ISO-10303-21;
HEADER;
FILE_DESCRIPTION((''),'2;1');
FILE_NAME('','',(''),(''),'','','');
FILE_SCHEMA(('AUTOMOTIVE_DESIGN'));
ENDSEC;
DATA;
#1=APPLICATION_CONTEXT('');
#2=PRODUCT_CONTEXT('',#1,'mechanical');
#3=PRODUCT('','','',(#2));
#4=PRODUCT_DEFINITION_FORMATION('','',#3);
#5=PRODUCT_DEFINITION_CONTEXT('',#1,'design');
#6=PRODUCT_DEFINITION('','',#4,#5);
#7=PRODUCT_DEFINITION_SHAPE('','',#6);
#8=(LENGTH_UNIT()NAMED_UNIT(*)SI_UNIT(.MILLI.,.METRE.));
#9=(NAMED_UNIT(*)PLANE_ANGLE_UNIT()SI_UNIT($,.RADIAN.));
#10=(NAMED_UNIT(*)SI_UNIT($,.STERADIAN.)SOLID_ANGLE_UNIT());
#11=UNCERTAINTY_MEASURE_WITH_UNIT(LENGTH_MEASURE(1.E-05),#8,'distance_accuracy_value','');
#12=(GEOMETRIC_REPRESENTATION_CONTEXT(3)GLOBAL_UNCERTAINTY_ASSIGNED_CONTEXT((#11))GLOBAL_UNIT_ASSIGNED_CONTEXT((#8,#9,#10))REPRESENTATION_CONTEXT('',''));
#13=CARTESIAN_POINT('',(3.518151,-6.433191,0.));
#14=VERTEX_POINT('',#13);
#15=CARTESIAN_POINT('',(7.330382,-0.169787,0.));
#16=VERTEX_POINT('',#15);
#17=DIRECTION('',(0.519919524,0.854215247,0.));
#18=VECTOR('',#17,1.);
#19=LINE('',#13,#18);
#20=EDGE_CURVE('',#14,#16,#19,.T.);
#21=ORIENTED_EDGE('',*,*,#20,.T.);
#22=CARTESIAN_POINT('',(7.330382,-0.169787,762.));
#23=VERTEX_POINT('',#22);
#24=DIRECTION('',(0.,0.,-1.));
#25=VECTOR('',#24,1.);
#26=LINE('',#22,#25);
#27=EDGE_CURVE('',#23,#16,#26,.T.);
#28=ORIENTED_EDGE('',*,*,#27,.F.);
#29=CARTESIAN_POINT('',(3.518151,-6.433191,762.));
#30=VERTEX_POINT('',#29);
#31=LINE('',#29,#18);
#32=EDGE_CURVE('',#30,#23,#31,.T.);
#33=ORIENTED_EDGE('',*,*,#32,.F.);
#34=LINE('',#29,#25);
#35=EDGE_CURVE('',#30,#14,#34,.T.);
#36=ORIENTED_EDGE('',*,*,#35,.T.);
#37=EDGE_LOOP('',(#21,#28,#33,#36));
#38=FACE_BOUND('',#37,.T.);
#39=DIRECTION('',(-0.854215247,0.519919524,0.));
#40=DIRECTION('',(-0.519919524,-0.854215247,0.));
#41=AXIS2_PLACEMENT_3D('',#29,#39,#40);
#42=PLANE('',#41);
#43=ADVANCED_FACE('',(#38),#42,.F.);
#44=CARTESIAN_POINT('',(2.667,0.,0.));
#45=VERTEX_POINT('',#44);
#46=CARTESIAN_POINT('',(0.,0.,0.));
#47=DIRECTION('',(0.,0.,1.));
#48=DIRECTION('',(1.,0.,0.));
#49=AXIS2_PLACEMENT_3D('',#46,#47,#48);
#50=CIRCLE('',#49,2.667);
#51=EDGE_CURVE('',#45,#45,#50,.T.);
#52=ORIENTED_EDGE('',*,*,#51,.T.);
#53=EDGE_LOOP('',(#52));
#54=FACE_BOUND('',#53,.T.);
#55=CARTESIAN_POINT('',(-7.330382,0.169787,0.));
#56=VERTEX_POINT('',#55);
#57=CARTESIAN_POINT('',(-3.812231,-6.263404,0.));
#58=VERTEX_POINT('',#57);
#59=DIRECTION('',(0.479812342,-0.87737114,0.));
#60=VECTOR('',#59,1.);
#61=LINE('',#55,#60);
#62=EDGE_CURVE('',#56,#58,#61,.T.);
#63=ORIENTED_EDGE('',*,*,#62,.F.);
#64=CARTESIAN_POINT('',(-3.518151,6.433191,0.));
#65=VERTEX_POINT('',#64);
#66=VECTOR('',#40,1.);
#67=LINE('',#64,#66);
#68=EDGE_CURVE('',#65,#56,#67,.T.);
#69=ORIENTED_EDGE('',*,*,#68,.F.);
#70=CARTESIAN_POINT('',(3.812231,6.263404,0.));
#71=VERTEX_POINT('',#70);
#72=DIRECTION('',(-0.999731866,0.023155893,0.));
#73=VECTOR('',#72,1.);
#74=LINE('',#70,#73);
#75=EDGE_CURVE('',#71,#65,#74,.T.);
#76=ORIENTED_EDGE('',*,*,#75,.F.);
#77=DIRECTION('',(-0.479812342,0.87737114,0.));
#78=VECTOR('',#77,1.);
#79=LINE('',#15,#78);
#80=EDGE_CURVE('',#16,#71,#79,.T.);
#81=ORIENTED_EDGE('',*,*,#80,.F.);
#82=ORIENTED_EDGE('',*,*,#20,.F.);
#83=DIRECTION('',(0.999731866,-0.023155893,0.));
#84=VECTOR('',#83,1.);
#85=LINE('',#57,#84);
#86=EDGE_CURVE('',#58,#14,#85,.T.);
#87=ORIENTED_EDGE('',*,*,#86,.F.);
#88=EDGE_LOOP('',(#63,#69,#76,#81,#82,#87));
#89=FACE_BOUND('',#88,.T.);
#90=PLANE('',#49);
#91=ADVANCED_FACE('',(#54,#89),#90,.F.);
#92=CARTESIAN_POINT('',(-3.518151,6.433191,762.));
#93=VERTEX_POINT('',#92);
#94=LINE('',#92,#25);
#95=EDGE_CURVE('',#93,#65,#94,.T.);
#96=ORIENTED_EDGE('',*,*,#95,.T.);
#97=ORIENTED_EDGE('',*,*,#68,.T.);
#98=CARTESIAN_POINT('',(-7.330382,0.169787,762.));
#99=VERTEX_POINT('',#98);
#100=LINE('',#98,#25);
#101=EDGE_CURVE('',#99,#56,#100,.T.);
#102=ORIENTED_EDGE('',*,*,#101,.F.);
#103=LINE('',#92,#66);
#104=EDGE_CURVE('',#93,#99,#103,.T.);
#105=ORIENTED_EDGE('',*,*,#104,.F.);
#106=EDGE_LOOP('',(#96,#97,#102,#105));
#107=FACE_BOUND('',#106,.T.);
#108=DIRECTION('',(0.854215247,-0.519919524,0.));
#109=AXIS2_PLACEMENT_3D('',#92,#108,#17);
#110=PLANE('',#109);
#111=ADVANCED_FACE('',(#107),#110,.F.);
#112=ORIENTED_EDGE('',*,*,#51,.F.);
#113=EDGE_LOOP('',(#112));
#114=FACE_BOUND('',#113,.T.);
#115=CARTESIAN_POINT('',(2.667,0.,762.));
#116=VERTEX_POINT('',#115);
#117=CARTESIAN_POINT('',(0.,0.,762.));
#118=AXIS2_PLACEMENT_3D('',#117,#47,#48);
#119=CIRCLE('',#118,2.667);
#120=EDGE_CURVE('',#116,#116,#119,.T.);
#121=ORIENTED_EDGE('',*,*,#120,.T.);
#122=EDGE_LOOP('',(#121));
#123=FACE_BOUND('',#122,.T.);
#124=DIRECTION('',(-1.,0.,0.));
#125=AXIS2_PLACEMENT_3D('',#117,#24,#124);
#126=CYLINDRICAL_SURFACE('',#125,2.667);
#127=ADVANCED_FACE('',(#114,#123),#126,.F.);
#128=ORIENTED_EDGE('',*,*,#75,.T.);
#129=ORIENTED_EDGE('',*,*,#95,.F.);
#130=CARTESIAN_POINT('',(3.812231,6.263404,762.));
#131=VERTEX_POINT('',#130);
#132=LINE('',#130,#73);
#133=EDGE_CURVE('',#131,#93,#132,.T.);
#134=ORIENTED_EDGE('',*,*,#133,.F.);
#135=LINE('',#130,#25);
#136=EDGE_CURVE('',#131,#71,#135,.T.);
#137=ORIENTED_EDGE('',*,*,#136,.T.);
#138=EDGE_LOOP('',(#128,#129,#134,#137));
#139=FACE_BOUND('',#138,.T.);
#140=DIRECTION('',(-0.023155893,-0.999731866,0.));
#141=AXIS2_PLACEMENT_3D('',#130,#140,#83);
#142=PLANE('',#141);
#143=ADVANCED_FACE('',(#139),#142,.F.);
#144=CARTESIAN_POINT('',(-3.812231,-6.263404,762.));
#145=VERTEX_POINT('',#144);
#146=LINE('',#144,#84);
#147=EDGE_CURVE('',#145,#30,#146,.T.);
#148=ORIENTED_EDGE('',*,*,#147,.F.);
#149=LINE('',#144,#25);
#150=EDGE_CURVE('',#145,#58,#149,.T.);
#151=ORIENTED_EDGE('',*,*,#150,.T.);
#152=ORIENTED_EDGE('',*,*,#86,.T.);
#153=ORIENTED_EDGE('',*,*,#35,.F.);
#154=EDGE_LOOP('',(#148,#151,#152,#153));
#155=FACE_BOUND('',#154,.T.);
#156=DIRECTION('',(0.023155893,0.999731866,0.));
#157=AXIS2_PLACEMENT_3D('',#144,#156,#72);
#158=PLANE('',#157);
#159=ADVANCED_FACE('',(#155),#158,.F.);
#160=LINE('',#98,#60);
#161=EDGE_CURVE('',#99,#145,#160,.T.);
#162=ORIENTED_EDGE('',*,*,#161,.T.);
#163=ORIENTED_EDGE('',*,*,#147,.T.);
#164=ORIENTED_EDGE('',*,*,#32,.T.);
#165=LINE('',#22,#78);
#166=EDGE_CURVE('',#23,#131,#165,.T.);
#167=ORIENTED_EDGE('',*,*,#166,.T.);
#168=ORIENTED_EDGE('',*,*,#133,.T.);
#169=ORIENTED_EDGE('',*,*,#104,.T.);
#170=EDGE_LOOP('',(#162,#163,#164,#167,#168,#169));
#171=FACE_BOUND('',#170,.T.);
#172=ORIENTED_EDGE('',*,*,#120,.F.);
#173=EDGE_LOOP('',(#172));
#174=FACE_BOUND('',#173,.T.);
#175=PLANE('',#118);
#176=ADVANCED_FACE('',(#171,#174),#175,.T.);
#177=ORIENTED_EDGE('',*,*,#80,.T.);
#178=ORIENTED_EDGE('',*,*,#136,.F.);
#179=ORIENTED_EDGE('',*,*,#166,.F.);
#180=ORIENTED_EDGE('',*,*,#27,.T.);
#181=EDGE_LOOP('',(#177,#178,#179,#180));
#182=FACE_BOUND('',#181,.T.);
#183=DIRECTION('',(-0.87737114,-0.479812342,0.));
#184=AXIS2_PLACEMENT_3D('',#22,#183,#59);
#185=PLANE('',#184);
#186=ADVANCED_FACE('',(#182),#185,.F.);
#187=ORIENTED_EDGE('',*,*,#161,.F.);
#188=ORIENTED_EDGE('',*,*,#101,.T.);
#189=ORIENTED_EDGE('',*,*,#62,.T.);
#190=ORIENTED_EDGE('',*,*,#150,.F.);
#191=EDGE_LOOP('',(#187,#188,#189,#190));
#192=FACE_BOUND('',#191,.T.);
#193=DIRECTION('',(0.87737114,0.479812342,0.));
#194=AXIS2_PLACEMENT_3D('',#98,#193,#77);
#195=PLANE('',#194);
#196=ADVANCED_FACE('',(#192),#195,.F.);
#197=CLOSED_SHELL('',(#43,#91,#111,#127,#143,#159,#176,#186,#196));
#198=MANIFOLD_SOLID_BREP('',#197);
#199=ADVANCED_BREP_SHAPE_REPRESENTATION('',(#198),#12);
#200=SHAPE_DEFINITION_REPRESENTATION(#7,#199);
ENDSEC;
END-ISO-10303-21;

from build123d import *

# Parameters (mm, degrees)
SKETCH1_R           = 2.667
BOSS_EXTRUDE2_DEPTH = 762


with BuildPart() as part:
    # Sketch1 → Boss-Extrude2 (new body)
    with BuildSketch(Plane.XY):
        Polygon((3.518151267, -6.433190888), (7.33038237, -0.169787073), (3.812231103, 6.263403815), (-3.518151267, 6.433190888), (-7.33038237, 0.169787073), (-3.812231103, -6.263403815), align=None)
        Circle(SKETCH1_R, mode=Mode.SUBTRACT)
    extrude(amount=BOSS_EXTRUDE2_DEPTH)


solid = part.part
